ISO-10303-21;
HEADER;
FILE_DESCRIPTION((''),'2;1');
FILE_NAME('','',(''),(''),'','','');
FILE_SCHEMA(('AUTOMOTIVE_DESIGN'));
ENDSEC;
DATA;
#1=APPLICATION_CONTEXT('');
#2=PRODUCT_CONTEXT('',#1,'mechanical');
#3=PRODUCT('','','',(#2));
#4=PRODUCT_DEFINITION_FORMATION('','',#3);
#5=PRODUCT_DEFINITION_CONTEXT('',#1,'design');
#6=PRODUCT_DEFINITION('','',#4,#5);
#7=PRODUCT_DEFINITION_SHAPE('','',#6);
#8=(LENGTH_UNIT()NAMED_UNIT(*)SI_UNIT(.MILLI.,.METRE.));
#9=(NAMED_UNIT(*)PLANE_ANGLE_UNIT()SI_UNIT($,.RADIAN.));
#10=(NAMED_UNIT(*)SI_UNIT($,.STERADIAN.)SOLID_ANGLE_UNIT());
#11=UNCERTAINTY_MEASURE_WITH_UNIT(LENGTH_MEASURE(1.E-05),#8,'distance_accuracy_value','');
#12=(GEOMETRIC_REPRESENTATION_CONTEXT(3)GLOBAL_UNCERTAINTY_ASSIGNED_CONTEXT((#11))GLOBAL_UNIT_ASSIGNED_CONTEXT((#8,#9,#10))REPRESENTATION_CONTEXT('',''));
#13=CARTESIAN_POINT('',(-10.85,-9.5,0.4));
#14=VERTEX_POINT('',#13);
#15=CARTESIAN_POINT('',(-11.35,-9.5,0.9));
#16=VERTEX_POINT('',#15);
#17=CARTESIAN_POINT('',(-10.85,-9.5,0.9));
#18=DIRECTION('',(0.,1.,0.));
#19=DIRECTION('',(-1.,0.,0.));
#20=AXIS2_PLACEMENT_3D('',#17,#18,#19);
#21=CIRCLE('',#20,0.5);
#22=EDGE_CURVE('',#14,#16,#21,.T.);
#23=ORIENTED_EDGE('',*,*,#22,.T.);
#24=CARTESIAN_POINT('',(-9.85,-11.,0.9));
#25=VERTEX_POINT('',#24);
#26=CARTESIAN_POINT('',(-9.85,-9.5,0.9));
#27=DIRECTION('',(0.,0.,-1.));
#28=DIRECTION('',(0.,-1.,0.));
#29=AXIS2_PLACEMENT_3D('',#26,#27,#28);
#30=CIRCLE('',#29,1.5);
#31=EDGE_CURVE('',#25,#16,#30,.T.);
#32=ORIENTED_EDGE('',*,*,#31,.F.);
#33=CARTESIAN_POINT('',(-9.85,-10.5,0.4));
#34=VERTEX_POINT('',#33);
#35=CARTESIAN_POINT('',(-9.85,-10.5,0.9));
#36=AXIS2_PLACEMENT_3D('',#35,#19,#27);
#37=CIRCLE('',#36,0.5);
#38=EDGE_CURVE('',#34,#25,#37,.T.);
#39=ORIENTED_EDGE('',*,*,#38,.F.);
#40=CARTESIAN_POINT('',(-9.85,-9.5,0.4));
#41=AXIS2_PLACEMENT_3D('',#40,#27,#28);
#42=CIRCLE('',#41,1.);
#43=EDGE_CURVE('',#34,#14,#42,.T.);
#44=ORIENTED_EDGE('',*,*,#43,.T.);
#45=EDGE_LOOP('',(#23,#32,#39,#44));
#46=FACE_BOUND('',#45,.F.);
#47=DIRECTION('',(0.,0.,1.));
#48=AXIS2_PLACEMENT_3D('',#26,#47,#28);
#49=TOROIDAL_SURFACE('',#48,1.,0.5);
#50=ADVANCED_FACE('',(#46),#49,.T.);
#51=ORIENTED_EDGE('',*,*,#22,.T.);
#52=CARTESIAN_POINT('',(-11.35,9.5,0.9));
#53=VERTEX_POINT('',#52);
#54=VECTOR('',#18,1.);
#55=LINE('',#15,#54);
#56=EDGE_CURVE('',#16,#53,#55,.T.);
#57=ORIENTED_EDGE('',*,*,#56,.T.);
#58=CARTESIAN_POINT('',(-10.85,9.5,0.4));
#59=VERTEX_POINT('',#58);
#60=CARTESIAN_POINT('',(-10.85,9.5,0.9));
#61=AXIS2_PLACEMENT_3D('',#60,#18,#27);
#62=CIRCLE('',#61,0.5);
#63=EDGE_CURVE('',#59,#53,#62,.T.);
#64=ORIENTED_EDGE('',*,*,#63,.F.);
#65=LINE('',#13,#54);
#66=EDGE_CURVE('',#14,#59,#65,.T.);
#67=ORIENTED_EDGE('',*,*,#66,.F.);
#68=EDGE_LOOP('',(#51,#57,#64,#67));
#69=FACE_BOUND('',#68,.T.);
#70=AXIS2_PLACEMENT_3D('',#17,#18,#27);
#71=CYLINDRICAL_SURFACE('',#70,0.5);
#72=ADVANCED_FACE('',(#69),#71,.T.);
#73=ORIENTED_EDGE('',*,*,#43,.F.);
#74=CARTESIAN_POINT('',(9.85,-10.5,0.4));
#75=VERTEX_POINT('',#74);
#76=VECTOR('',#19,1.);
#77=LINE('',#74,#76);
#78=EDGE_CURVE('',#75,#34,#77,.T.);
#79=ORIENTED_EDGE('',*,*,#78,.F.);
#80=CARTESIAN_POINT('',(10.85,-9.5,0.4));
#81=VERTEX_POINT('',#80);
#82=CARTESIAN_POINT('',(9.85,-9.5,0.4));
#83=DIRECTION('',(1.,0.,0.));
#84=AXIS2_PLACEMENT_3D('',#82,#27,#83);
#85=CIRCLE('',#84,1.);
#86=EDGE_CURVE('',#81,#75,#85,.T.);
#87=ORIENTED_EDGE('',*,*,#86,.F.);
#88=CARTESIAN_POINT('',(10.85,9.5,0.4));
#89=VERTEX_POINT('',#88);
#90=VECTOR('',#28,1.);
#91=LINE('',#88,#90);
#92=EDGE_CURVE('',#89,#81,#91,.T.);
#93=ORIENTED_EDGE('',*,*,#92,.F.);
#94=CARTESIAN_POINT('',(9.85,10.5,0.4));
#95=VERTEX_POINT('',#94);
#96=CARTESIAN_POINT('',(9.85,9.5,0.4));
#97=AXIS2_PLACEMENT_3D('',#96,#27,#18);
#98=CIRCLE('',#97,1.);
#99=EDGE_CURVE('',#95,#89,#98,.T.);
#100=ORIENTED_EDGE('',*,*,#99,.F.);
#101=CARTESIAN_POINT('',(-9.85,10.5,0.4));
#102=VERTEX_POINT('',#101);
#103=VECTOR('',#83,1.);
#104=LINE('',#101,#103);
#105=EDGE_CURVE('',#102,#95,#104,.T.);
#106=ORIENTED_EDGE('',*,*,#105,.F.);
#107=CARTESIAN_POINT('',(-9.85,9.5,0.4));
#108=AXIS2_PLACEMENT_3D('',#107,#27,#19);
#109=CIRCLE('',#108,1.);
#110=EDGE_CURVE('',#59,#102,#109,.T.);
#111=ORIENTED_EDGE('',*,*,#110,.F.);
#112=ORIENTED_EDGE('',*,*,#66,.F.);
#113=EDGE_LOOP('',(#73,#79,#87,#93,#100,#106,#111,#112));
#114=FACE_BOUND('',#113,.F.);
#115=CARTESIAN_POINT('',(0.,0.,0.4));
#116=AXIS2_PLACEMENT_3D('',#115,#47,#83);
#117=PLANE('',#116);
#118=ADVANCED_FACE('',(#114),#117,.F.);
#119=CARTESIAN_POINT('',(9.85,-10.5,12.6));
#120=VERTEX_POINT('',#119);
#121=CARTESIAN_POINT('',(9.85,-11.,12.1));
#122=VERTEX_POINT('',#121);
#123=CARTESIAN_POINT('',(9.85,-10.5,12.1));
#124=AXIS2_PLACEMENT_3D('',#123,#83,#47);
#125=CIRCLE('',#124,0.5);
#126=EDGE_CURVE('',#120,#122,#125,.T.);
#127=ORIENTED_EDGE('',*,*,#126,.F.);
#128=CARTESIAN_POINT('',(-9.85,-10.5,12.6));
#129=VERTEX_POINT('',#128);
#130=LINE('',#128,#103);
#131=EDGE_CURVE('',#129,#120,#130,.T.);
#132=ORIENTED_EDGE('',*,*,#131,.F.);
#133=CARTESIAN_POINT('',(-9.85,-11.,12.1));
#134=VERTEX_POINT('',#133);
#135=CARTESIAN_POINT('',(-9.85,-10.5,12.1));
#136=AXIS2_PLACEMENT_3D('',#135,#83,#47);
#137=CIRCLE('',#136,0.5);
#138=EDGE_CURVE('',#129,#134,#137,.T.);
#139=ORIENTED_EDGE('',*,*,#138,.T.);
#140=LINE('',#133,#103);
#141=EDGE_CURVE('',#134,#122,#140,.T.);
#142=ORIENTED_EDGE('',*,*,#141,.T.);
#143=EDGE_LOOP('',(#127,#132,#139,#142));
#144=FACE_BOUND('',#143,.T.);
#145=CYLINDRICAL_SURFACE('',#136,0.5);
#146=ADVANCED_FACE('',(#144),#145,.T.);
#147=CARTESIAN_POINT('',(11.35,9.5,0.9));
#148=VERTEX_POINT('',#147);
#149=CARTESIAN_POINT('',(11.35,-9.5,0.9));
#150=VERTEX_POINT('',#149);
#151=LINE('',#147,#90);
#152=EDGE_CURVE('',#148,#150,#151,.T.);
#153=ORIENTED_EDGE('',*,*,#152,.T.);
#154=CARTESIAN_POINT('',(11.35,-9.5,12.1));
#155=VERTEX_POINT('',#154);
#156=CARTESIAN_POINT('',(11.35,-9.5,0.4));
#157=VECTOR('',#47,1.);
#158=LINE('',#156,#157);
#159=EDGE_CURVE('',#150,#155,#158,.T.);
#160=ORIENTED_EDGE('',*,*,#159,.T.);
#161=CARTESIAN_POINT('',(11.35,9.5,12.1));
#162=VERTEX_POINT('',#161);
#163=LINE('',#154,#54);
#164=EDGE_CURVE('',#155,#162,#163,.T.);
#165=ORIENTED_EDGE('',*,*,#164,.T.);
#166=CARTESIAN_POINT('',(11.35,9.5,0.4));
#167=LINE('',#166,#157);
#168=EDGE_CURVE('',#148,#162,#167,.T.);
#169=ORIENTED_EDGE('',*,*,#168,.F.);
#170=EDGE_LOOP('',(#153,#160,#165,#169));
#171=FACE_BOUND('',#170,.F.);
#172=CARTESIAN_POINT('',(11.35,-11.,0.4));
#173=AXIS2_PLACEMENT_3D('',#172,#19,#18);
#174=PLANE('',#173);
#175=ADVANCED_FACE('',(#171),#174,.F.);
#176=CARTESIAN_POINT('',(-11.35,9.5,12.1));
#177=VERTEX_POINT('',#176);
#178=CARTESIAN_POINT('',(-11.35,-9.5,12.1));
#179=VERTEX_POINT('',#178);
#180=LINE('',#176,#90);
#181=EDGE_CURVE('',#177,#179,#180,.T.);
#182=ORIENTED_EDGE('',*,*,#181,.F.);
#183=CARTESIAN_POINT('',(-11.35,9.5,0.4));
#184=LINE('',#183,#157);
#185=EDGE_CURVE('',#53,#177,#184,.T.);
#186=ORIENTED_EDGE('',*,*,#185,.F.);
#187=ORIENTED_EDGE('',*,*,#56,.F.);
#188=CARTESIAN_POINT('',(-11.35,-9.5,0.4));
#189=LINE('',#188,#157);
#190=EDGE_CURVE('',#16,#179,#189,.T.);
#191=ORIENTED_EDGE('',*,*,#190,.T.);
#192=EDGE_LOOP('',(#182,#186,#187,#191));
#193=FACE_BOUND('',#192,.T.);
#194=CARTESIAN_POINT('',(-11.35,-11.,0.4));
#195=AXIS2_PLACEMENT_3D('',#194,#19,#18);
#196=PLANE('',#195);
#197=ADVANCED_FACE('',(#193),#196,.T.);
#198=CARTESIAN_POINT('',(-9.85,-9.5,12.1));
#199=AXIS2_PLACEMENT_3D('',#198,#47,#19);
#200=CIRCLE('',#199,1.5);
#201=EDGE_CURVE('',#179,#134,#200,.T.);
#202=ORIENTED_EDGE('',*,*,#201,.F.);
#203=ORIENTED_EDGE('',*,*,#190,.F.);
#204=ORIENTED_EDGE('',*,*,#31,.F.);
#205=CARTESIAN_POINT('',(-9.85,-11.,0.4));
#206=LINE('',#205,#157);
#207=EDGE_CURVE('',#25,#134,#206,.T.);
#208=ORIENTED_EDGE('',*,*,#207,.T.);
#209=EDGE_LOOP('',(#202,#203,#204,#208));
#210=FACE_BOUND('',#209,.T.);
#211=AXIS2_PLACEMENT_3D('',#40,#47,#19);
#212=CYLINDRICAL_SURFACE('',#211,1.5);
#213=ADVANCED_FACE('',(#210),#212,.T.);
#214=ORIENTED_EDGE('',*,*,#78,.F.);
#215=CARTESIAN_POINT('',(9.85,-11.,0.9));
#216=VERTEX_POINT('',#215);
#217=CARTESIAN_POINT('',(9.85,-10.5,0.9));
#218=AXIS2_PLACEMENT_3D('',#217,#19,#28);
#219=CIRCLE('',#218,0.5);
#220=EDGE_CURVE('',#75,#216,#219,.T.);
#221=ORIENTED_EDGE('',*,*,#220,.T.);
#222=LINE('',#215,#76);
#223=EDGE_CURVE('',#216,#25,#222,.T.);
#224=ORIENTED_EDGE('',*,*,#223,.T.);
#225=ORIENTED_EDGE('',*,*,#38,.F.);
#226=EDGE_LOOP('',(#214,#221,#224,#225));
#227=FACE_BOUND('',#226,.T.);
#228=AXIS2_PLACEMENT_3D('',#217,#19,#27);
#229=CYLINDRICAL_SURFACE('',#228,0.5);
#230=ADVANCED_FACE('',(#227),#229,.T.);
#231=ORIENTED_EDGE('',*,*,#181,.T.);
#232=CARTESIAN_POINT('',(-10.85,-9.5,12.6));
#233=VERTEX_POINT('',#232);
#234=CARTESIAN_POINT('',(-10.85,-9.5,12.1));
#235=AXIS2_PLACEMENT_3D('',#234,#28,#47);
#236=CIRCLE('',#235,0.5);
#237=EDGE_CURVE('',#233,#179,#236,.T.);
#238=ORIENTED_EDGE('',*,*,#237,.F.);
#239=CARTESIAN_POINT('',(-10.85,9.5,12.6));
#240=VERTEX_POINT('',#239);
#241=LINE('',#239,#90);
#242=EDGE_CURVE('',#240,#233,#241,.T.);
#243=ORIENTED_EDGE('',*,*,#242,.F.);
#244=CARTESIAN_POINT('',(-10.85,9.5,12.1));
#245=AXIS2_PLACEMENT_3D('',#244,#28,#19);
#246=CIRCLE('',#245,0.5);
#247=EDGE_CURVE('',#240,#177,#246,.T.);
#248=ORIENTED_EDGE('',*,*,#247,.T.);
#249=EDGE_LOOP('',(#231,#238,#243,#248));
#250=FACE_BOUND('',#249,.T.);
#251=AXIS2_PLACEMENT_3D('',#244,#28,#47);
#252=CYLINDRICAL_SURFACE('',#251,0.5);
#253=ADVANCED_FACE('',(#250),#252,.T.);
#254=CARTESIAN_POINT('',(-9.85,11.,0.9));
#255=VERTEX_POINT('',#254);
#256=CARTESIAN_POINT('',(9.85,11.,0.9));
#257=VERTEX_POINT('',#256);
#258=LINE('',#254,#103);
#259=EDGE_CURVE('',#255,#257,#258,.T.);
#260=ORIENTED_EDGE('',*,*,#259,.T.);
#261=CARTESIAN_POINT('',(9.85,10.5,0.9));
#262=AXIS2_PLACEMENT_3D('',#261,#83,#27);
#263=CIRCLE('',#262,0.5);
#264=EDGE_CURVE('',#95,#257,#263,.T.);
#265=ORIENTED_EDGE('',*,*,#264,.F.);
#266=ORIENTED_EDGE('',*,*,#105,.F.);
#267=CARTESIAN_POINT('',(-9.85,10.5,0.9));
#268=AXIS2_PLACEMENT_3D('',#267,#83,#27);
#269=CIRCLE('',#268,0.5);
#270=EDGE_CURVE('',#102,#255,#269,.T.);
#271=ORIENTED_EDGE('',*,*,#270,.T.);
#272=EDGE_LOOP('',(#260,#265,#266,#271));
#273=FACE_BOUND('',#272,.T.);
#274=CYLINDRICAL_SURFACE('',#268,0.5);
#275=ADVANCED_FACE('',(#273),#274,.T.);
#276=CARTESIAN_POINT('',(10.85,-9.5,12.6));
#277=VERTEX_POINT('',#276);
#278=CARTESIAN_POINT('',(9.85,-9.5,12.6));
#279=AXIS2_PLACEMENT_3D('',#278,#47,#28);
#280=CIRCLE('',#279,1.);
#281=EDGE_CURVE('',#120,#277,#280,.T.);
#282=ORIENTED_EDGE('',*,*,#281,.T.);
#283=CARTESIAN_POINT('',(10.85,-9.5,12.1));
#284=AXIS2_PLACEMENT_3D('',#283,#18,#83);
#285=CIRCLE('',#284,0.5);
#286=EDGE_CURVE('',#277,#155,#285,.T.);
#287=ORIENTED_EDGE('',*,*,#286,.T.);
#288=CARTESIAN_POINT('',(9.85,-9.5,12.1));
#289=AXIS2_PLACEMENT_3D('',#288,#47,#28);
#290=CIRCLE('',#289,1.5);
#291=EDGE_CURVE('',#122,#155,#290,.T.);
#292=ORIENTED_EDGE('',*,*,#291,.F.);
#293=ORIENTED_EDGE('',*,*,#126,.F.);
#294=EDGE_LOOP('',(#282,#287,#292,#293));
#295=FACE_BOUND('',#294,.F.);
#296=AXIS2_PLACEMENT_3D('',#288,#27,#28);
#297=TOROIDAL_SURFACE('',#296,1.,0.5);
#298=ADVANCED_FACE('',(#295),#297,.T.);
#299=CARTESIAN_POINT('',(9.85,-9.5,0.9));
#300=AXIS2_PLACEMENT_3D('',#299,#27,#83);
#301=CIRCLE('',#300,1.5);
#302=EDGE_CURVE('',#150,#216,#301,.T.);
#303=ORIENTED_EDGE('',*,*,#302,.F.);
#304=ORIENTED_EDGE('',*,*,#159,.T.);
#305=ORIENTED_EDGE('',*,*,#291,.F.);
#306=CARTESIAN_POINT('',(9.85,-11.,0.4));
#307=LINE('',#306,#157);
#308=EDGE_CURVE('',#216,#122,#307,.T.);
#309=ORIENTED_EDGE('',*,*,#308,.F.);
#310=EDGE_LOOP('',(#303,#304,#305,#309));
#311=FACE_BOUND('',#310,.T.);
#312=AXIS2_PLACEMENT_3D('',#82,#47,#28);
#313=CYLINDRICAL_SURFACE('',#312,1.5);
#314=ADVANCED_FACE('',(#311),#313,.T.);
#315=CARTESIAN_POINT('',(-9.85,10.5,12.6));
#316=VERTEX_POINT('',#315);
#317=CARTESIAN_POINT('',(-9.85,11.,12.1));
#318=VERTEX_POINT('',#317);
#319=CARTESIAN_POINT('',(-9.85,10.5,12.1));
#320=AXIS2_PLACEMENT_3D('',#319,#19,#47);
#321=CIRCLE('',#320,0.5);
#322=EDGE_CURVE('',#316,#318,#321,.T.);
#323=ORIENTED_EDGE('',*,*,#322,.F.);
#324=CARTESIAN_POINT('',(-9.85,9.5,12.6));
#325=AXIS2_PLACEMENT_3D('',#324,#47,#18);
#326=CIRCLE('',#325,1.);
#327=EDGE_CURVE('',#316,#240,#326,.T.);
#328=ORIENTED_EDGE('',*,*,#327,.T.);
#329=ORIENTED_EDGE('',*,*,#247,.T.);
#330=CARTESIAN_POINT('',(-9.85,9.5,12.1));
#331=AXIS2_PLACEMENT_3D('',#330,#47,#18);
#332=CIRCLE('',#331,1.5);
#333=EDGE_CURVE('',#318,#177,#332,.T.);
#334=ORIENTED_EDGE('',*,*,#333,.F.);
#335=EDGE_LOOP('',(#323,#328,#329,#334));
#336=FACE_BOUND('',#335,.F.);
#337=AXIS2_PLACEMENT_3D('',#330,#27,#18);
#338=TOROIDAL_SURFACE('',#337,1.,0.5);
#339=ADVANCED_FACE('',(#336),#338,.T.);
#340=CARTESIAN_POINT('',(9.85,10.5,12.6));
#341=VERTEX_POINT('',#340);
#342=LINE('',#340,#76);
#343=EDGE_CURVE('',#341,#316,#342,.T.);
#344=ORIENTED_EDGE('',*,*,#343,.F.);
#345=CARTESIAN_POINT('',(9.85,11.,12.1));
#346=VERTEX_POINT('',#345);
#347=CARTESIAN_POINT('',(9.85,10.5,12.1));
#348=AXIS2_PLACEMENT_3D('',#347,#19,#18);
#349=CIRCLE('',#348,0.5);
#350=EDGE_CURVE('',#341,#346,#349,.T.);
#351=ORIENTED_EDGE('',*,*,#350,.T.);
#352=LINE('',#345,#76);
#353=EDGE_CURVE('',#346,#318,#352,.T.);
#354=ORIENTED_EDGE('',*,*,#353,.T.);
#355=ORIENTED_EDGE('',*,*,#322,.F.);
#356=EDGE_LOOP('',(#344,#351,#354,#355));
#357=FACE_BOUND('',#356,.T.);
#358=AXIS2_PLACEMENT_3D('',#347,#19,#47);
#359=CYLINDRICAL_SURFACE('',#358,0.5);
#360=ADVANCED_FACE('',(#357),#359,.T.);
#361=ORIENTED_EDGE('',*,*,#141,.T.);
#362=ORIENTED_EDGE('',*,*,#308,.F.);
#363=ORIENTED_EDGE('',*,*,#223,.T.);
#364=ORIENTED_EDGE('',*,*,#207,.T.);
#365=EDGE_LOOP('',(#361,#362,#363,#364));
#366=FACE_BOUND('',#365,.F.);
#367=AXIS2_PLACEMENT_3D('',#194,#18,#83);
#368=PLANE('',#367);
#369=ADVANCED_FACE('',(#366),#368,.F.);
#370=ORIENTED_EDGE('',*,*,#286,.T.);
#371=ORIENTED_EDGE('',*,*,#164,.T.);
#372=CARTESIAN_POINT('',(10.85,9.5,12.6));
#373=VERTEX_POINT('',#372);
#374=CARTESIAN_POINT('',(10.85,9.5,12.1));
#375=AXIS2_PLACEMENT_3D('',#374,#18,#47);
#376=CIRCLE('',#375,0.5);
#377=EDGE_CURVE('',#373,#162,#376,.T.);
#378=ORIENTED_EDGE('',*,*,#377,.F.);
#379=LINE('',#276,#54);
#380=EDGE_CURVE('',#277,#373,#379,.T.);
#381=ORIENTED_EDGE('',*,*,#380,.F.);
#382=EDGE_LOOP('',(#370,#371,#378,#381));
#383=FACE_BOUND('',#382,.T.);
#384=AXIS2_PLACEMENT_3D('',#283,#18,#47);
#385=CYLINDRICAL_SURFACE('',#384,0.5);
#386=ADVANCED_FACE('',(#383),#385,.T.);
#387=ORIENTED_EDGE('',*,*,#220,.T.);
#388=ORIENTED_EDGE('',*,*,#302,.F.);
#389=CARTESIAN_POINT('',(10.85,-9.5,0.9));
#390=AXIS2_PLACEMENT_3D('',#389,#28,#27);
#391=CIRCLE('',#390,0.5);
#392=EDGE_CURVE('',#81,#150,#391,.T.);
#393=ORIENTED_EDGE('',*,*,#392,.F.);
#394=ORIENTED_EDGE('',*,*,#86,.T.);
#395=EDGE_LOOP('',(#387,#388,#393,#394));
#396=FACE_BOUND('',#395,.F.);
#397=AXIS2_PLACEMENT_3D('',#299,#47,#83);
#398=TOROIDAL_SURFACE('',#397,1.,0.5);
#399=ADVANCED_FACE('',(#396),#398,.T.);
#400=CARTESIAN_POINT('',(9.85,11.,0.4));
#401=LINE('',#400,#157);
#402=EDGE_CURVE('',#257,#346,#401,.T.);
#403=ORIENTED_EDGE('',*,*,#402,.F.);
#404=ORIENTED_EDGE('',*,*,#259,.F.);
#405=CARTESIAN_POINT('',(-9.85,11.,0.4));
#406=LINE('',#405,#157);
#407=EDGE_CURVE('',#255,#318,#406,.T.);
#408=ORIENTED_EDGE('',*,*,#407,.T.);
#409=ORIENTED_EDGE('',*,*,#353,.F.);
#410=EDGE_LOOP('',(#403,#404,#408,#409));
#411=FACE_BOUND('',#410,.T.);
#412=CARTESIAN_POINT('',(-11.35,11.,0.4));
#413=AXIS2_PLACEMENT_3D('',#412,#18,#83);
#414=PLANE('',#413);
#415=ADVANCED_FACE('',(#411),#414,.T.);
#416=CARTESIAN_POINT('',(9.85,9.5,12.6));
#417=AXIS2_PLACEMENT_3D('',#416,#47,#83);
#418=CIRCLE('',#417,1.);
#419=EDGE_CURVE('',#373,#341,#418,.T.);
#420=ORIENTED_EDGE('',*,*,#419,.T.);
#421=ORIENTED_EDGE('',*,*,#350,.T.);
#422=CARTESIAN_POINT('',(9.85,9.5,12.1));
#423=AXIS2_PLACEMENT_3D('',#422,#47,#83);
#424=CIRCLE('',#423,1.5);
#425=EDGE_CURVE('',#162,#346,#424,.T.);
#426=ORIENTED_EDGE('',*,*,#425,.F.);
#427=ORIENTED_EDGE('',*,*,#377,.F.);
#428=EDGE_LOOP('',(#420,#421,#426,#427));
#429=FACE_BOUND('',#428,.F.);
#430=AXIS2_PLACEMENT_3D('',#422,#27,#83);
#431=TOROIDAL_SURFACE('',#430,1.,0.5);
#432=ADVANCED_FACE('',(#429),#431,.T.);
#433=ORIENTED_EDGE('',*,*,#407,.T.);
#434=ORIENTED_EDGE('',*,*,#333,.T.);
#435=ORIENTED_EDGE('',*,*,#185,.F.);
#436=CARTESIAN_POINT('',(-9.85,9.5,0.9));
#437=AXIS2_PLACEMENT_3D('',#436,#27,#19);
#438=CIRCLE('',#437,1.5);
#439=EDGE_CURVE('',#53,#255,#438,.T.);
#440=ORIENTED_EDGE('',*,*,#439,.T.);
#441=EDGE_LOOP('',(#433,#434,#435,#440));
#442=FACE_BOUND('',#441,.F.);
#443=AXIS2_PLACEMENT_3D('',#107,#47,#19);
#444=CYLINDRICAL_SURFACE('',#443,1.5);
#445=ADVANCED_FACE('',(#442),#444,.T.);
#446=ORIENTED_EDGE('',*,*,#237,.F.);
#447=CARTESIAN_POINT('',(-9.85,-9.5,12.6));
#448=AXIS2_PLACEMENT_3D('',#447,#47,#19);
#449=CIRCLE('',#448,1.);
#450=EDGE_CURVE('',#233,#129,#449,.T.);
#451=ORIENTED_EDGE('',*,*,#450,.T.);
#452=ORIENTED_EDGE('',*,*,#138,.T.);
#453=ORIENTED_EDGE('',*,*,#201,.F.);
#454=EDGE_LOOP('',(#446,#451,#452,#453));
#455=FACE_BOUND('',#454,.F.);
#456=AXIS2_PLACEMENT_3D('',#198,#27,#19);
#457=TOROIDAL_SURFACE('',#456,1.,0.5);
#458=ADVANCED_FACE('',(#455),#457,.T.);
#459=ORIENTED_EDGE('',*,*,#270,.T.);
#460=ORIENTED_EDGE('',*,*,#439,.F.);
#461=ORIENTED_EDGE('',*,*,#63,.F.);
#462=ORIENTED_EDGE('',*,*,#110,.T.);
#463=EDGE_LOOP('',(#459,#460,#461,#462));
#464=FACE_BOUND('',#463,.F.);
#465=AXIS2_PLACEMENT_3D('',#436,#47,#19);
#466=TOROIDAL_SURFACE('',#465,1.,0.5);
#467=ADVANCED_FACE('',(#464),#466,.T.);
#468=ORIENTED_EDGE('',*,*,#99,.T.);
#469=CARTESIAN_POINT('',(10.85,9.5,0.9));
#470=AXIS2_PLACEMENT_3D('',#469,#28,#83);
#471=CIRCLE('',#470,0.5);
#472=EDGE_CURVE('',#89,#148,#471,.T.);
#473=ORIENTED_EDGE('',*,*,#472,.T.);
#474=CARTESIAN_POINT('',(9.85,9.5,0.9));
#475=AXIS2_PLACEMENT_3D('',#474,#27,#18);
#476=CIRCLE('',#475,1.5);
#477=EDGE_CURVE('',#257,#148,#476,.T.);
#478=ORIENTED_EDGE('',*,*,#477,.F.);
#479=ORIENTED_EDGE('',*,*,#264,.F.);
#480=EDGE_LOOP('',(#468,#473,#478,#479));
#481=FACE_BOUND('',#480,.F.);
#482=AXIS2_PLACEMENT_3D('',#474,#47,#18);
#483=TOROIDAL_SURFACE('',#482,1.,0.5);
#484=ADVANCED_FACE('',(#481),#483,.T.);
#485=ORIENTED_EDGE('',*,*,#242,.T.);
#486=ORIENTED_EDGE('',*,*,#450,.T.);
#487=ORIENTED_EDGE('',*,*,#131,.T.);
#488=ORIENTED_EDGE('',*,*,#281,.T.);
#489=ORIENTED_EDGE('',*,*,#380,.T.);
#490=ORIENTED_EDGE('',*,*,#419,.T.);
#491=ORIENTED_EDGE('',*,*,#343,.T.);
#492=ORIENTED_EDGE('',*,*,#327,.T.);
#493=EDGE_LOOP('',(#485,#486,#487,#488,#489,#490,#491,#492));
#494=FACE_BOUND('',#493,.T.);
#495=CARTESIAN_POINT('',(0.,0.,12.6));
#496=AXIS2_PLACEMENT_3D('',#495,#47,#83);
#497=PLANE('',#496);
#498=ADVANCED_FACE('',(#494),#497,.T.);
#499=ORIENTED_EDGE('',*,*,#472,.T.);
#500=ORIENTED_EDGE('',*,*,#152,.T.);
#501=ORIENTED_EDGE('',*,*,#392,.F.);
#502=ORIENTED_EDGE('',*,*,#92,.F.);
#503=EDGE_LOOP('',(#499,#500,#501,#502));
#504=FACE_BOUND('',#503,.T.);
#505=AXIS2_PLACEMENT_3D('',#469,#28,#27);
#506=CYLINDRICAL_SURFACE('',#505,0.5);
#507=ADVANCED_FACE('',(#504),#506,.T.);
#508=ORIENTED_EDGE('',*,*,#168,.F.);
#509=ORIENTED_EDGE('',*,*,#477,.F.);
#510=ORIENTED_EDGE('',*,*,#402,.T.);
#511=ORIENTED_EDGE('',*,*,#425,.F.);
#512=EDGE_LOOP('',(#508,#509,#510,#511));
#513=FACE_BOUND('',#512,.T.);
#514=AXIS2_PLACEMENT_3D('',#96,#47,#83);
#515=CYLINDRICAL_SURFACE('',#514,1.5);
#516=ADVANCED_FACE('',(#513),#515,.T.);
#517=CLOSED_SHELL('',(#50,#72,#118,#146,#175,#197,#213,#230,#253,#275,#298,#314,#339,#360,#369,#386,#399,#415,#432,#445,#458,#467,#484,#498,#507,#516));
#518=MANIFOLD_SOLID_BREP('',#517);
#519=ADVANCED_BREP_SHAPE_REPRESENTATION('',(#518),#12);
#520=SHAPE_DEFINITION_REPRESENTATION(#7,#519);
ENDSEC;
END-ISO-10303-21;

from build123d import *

# Parameters (mm, degrees)
SKETCH_W    = 22.7
SKETCH_H    = 22
PAD_DEPTH   = 12.2
FILLET_R    = 1.5
FILLET001_R = 0.5
FILLET002_R = 0.5


with BuildPart() as part:
    # Sketch → Pad (new body)
    with BuildSketch(Plane.XY):
        Rectangle(SKETCH_W, SKETCH_H)
    extrude(amount=PAD_DEPTH)

    # Fillet
    fillet_edges = [part.edges().sort_by_distance(p)[0] for p in [
        (11.35, -11, 6.1),
        (-11.35, -11, 6.1),
        (11.35, 11, 6.1),
        (-11.35, 11, 6.1),
    ]]
    fillet(fillet_edges, radius=FILLET_R)

    # Fillet001
    fillet001_edges = [part.edges().sort_by_distance(p)[0] for p in [
        (0, -11, 12.2),
    ]]
    fillet(fillet001_edges, radius=FILLET001_R)

    # Fillet002
    fillet002_edges = [part.edges().sort_by_distance(p)[0] for p in [
        (0, 11, 0),
    ]]
    fillet(fillet002_edges, radius=FILLET002_R)


with BuildPart() as part_1:
    # Body placement: moved
    add(part.part.moved(Location((0, 0, 0.4))))


solid = part_1.part
